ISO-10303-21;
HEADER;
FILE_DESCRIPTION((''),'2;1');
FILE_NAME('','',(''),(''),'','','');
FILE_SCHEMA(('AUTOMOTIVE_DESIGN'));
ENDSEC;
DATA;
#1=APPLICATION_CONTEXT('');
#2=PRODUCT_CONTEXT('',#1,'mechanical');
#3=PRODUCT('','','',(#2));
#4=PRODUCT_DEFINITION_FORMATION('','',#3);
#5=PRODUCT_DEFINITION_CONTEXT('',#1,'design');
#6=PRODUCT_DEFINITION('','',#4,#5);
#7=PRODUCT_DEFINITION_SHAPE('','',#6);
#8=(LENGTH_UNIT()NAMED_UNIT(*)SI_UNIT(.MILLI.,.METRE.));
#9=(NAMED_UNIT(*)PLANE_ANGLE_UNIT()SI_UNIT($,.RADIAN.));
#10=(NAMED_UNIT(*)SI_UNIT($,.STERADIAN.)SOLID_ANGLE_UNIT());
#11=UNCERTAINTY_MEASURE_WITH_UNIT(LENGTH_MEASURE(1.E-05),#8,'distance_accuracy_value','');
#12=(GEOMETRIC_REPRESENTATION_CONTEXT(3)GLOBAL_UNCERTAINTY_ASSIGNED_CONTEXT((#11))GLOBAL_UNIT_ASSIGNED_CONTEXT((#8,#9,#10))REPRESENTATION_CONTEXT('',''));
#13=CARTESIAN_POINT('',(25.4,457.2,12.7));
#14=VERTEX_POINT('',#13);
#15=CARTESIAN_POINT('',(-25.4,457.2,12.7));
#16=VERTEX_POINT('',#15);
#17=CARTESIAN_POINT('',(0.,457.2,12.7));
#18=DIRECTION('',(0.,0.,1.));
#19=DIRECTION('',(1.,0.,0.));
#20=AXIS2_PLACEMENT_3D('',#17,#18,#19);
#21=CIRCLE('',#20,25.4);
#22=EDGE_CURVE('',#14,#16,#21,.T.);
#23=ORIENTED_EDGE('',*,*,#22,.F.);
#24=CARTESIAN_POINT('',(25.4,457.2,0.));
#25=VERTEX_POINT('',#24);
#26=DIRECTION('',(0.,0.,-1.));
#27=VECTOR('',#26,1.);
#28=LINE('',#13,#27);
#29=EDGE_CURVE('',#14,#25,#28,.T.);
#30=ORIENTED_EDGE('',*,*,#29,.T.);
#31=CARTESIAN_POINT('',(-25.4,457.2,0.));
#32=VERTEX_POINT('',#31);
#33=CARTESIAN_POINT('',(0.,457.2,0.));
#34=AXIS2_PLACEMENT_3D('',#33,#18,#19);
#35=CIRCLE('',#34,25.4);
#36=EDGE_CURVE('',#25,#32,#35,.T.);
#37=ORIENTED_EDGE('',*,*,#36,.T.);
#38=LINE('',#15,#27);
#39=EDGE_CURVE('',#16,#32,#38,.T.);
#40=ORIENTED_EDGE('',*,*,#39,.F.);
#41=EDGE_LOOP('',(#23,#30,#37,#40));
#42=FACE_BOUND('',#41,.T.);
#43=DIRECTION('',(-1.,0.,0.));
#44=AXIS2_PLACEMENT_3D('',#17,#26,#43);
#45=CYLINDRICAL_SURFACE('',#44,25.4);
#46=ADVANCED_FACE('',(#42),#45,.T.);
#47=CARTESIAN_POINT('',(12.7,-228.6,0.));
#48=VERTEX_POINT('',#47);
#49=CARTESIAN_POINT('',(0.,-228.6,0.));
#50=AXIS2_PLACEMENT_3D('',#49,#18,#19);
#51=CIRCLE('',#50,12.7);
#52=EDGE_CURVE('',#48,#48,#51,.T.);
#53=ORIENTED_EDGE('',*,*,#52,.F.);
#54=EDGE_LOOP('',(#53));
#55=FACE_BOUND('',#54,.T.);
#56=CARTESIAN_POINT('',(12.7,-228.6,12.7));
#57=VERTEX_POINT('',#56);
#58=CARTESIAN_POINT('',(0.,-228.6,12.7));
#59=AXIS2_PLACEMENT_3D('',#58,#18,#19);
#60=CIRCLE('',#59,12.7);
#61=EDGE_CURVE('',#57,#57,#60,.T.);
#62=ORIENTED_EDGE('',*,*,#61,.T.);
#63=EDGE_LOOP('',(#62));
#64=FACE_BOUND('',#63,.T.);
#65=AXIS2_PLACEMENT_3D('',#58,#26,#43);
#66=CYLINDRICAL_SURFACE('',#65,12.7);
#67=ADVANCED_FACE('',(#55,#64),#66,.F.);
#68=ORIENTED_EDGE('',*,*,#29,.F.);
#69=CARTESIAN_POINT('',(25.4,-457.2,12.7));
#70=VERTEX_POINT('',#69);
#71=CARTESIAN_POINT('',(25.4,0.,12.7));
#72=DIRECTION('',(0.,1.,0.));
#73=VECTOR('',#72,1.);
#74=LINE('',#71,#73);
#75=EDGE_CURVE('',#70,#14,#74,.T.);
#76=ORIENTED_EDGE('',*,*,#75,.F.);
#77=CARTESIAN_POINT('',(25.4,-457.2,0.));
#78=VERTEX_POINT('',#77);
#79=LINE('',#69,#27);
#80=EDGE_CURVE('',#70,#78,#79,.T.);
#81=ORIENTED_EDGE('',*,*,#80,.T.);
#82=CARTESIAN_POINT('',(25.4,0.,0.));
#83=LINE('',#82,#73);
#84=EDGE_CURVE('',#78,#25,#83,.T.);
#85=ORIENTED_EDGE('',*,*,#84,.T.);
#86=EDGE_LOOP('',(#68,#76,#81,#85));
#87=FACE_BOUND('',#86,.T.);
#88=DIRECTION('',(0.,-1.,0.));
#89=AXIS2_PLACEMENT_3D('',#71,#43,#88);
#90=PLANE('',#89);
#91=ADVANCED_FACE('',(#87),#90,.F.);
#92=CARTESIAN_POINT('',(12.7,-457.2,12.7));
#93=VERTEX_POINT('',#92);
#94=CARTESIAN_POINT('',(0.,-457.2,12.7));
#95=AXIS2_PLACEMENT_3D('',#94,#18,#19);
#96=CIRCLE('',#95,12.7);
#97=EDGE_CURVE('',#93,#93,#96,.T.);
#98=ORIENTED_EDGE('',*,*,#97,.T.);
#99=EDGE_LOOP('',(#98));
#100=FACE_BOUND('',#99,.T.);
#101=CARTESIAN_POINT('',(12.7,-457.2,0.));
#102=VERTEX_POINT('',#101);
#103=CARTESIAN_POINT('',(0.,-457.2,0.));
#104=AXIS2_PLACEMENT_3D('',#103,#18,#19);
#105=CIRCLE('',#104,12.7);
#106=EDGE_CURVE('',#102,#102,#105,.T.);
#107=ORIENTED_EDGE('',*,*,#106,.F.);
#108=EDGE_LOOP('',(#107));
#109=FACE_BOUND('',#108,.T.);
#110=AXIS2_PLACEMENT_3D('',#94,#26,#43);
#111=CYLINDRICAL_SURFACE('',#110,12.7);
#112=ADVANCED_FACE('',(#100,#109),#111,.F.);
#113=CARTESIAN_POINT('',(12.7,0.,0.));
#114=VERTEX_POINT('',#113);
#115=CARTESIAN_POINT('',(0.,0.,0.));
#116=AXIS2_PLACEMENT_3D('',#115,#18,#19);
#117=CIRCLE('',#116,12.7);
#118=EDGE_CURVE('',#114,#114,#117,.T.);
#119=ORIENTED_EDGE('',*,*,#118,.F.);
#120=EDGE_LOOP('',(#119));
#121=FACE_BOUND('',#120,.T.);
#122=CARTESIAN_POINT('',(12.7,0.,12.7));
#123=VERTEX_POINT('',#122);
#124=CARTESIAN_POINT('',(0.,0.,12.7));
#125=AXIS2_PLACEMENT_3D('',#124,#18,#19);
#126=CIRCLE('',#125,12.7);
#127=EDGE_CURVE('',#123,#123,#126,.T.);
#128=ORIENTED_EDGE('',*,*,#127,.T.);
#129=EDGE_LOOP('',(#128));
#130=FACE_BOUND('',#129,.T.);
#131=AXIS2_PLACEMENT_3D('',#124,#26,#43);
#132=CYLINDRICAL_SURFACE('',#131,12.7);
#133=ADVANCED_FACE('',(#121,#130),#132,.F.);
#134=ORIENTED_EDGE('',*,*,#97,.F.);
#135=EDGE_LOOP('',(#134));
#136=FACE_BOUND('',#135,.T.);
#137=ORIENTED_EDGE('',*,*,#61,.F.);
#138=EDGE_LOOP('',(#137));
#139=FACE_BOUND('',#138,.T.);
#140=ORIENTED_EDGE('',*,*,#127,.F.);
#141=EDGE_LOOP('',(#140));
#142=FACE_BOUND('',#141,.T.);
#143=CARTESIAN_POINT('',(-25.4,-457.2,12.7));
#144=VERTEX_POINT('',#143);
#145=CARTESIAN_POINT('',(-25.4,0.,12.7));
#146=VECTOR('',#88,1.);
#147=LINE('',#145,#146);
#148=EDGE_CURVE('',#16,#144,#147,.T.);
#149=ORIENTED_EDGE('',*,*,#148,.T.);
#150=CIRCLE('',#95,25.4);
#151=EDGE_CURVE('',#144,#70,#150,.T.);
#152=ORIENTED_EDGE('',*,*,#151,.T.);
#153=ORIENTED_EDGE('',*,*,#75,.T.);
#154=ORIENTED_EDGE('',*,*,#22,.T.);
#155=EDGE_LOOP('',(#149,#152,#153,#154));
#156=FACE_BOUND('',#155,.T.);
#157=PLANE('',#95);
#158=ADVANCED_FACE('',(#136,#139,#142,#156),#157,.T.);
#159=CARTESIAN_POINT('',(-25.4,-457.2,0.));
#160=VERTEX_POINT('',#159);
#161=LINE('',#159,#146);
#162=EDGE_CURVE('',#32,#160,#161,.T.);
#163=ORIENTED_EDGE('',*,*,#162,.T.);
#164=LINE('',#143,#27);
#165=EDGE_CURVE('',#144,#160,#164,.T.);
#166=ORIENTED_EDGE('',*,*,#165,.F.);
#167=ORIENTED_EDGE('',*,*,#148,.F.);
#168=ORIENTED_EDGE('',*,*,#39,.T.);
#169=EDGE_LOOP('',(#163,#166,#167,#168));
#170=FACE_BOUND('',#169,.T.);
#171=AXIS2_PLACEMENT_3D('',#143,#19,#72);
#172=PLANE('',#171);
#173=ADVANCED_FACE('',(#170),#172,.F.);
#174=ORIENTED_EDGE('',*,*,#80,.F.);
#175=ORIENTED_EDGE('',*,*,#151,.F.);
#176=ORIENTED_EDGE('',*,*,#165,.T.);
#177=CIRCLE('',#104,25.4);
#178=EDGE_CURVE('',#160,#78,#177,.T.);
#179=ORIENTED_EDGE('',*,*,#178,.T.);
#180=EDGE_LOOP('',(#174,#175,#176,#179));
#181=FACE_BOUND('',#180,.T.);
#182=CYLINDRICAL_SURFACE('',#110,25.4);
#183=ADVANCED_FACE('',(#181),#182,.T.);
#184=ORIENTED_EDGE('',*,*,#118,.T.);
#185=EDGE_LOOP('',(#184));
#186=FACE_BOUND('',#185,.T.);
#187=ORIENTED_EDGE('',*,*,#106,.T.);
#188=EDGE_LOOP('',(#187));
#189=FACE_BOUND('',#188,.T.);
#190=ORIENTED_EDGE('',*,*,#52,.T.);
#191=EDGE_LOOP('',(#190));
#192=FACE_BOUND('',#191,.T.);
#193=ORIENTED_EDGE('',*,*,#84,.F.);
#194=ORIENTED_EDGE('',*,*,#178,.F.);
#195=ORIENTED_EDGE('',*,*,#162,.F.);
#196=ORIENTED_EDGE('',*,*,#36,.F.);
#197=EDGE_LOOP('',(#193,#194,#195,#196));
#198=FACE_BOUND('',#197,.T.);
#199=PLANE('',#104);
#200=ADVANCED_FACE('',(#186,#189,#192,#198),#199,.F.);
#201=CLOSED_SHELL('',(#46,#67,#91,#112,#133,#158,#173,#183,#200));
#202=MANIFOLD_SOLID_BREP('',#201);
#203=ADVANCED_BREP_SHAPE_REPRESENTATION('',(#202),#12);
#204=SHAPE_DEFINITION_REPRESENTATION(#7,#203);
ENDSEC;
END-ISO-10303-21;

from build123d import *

# Parameters (mm, degrees)
SKETCH1_R           = 12.7
BOSS_EXTRUDE1_DEPTH = 12.7


with BuildPart() as part:
    # Sketch1 → Boss-Extrude1 (new body)
    with BuildSketch(Plane.XY):
        with BuildLine():
            Line((-25.4, -457.2), (-25.4, 0))
            Line((-25.4, 0), (-25.4, 457.2))
            ThreePointArc((-25.4, 457.2), (0, 482.6), (25.4, 457.2))
            Line((25.4, 457.2), (25.4, 0))
            Line((25.4, 0), (25.4, -457.2))
            ThreePointArc((25.4, -457.2), (0, -482.6), (-25.4, -457.2))
        make_face()
        Circle(SKETCH1_R, mode=Mode.SUBTRACT)
        with Locations((0, -457.2)):
            Circle(SKETCH1_R, mode=Mode.SUBTRACT)
        with Locations((0, -228.6)):
            Circle(SKETCH1_R, mode=Mode.SUBTRACT)
    extrude(amount=BOSS_EXTRUDE1_DEPTH)


solid = part.part
